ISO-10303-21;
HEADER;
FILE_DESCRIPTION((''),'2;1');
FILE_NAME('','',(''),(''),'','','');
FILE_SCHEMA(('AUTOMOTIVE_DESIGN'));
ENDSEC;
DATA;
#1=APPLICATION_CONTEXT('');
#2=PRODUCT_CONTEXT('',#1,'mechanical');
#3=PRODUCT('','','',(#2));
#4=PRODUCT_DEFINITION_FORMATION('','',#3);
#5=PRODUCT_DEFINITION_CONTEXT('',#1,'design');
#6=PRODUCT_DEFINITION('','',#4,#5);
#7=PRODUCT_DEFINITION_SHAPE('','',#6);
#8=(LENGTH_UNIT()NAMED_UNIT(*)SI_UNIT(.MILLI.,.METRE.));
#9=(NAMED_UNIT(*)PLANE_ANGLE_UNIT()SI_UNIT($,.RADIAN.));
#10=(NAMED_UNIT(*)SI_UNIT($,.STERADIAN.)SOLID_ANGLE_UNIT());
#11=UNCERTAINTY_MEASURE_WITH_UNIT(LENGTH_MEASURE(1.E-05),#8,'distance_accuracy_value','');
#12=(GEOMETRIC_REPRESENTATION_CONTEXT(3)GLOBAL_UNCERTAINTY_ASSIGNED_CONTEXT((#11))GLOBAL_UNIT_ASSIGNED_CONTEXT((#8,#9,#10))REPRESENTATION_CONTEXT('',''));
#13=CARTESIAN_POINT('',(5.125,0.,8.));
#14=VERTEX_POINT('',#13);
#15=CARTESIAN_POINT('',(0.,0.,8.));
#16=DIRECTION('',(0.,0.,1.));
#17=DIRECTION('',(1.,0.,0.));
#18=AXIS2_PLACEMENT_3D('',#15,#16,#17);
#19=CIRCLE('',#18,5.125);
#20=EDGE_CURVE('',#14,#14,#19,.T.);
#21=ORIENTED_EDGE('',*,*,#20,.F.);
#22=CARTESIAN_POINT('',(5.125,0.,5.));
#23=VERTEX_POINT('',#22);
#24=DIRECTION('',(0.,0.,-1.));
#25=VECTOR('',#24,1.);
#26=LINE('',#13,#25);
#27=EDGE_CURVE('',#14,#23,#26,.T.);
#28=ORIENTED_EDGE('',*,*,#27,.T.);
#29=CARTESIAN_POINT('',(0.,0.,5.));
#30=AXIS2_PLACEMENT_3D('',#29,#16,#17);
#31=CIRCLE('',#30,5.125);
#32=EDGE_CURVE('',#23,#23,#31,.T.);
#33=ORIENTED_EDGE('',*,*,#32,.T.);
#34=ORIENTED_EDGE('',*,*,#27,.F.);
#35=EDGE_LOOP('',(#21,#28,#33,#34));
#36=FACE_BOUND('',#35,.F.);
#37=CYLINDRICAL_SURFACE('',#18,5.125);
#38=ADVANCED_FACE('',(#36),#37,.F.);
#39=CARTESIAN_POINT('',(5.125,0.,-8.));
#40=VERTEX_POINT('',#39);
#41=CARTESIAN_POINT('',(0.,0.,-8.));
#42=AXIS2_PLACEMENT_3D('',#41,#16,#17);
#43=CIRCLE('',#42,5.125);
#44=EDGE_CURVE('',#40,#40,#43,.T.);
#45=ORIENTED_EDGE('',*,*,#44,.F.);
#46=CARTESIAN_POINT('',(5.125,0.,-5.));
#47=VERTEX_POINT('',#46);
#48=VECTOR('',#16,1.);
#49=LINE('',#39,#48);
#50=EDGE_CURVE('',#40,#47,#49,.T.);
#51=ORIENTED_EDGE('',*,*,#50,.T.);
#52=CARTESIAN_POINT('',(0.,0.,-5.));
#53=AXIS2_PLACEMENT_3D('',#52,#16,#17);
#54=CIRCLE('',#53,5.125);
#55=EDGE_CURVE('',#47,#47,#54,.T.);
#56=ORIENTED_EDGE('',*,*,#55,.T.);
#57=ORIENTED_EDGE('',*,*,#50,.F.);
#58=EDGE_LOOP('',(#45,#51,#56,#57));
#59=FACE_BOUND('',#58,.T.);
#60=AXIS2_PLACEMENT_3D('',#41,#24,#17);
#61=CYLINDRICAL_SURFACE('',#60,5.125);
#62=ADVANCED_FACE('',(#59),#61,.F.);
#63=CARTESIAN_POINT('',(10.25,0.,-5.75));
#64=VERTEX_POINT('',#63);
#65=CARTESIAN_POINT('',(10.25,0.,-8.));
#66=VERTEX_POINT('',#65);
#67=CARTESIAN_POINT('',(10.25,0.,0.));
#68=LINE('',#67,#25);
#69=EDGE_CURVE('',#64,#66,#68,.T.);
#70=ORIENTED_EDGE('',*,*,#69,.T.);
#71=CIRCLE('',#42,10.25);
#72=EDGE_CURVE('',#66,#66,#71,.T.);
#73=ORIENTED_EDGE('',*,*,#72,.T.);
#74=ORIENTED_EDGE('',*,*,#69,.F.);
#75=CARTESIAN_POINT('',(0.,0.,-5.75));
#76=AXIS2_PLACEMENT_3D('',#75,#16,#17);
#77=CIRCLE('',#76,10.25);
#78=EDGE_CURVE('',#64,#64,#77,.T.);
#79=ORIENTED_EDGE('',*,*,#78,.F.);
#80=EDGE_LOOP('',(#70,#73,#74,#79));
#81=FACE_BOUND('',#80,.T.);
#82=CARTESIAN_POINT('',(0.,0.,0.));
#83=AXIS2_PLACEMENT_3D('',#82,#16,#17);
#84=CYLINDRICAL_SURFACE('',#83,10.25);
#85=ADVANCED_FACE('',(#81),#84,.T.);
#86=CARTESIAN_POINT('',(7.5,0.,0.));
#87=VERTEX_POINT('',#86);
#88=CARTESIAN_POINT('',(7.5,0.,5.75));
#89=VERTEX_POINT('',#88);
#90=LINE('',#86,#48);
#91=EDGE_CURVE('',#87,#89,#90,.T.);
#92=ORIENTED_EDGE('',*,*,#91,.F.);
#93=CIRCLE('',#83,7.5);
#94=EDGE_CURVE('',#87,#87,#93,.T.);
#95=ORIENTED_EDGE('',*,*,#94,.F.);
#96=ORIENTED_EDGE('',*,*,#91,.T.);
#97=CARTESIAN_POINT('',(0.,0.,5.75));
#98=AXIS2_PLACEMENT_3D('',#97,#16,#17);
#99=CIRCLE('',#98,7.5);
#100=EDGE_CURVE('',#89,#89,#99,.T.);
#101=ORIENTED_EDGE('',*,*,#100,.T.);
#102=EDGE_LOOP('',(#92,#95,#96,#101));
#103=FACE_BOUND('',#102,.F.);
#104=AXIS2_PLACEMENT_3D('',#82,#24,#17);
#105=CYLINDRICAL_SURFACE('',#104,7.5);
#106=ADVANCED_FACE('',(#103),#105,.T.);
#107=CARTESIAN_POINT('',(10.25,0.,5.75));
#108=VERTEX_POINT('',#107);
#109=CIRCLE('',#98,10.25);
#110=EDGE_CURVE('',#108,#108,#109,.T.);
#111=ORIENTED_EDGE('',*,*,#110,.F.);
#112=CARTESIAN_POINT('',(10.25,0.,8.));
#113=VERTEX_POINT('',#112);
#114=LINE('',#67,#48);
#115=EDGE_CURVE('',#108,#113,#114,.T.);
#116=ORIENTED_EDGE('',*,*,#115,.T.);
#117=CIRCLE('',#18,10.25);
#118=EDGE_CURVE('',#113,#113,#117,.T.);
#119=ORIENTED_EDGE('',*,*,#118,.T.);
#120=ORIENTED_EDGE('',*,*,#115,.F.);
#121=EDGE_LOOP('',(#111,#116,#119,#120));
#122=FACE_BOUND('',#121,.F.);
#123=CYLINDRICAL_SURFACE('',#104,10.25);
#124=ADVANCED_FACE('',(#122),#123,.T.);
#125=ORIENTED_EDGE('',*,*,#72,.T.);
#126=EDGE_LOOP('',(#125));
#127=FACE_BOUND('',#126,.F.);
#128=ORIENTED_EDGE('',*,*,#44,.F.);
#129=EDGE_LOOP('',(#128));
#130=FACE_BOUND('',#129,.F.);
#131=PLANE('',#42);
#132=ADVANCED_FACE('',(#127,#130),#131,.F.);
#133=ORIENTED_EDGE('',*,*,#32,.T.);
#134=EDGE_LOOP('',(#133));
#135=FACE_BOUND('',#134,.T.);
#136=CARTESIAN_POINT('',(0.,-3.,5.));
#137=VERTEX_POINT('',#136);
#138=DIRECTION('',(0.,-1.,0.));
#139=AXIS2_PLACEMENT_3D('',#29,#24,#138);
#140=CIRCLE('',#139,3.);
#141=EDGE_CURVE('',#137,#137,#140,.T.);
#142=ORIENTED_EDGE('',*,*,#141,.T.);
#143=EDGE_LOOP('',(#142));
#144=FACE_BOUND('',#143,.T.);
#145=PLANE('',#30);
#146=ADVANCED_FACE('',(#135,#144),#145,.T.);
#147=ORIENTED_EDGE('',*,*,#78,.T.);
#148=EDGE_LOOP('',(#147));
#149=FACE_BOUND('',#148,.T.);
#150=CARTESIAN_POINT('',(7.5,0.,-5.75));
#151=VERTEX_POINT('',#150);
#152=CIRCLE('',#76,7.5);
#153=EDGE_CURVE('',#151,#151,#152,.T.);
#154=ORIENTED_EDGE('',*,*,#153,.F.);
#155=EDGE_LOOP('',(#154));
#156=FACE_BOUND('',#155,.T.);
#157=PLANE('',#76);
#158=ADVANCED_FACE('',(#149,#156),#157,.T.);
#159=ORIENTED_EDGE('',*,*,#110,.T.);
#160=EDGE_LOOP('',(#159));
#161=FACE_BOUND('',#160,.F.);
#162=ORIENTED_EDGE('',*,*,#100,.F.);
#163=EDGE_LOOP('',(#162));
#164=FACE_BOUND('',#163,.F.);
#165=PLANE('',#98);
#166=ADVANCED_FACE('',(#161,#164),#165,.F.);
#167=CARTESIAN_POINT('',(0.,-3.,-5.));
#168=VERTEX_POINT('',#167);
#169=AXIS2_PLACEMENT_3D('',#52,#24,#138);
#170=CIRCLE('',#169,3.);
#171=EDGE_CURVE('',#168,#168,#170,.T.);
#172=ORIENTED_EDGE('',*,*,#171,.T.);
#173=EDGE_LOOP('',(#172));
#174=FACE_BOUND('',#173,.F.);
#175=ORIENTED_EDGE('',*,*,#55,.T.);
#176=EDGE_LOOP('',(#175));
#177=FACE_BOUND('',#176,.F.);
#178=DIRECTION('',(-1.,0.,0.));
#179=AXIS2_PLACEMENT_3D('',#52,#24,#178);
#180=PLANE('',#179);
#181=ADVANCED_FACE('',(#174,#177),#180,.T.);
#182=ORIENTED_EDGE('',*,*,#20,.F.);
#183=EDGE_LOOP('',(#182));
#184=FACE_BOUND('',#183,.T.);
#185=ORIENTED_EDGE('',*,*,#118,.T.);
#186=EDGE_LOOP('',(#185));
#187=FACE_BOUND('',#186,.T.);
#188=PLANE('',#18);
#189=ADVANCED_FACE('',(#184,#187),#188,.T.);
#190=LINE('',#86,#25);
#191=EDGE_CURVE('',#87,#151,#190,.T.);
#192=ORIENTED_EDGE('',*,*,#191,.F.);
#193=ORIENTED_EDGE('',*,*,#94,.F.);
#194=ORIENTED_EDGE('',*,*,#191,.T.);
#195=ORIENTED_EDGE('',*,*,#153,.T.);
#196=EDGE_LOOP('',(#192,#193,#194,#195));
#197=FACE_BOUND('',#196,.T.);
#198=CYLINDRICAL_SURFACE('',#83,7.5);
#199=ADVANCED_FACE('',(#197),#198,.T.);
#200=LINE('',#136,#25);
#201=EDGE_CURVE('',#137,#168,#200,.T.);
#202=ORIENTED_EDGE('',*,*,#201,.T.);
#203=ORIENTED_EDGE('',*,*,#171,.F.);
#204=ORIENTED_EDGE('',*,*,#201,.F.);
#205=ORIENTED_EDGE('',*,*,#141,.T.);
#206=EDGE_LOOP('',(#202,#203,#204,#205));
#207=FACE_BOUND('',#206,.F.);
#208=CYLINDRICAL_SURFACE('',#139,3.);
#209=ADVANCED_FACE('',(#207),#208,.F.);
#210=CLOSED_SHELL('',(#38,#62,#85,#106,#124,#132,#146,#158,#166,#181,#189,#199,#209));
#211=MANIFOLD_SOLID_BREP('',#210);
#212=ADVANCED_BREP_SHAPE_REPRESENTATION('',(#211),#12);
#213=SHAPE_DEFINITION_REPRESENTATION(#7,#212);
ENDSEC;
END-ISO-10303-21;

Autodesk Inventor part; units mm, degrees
ref_plane "YZ Plane" through (0, 0, 0) normal (1, 0, 0) x (0, 1, 0)
ref_plane "XZ Plane" through (0, 0, 0) normal (0, 1, 0) x (-1, 0, 0)
ref_plane "XY Plane" through (0, 0, 0) normal (0, 0, 1) x (1, 0, 0)
sketch "Base" plane through (0, 0, 0) normal (0, 0, 1) x (1, 0, 0)
  circle A0 centre (0, 0) radius 10.25
  dimension "d0" = 20.5
extrude "BaseFeature" add sketch "Base" along normal mid plane 16
sketch "Ridges" plane through (0, 0, 0) normal (0, 0, 1) x (1, 0, 0)
  circle A0 centre (0, 0) radius 10.25 projected
  circle A1 centre (0, 0) radius 7.5
  dimension "d3" = 15
extrude "RidgesFeature" cut sketch "Ridges" along normal mid plane 11.5
sketch "Countersink" plane through (0, 0, 8) normal (0, 0, 1) x (1, 0, 0)
  circle A0 centre (0, 0) radius 5.125
  dimension "d6" = 10.25
extrude "CountersinkFeature" cut sketch "Countersink" against normal blind 3
mirror "CountersinkMirrorFeature" about plane through (0, 0, 0) normal (0, 0, 1) of "CountersinkFeature"
sketch "MountHole" plane through (0, 0, 5) normal (0, 0, 1) x (1, 0, 0)
  point P0 (0, 0)
hole "MountHoleFeature" at (0, 0, 5) direction (0, 0, -1) diameter 6 end through all
properties part number "LegChainTensionerBlock"
